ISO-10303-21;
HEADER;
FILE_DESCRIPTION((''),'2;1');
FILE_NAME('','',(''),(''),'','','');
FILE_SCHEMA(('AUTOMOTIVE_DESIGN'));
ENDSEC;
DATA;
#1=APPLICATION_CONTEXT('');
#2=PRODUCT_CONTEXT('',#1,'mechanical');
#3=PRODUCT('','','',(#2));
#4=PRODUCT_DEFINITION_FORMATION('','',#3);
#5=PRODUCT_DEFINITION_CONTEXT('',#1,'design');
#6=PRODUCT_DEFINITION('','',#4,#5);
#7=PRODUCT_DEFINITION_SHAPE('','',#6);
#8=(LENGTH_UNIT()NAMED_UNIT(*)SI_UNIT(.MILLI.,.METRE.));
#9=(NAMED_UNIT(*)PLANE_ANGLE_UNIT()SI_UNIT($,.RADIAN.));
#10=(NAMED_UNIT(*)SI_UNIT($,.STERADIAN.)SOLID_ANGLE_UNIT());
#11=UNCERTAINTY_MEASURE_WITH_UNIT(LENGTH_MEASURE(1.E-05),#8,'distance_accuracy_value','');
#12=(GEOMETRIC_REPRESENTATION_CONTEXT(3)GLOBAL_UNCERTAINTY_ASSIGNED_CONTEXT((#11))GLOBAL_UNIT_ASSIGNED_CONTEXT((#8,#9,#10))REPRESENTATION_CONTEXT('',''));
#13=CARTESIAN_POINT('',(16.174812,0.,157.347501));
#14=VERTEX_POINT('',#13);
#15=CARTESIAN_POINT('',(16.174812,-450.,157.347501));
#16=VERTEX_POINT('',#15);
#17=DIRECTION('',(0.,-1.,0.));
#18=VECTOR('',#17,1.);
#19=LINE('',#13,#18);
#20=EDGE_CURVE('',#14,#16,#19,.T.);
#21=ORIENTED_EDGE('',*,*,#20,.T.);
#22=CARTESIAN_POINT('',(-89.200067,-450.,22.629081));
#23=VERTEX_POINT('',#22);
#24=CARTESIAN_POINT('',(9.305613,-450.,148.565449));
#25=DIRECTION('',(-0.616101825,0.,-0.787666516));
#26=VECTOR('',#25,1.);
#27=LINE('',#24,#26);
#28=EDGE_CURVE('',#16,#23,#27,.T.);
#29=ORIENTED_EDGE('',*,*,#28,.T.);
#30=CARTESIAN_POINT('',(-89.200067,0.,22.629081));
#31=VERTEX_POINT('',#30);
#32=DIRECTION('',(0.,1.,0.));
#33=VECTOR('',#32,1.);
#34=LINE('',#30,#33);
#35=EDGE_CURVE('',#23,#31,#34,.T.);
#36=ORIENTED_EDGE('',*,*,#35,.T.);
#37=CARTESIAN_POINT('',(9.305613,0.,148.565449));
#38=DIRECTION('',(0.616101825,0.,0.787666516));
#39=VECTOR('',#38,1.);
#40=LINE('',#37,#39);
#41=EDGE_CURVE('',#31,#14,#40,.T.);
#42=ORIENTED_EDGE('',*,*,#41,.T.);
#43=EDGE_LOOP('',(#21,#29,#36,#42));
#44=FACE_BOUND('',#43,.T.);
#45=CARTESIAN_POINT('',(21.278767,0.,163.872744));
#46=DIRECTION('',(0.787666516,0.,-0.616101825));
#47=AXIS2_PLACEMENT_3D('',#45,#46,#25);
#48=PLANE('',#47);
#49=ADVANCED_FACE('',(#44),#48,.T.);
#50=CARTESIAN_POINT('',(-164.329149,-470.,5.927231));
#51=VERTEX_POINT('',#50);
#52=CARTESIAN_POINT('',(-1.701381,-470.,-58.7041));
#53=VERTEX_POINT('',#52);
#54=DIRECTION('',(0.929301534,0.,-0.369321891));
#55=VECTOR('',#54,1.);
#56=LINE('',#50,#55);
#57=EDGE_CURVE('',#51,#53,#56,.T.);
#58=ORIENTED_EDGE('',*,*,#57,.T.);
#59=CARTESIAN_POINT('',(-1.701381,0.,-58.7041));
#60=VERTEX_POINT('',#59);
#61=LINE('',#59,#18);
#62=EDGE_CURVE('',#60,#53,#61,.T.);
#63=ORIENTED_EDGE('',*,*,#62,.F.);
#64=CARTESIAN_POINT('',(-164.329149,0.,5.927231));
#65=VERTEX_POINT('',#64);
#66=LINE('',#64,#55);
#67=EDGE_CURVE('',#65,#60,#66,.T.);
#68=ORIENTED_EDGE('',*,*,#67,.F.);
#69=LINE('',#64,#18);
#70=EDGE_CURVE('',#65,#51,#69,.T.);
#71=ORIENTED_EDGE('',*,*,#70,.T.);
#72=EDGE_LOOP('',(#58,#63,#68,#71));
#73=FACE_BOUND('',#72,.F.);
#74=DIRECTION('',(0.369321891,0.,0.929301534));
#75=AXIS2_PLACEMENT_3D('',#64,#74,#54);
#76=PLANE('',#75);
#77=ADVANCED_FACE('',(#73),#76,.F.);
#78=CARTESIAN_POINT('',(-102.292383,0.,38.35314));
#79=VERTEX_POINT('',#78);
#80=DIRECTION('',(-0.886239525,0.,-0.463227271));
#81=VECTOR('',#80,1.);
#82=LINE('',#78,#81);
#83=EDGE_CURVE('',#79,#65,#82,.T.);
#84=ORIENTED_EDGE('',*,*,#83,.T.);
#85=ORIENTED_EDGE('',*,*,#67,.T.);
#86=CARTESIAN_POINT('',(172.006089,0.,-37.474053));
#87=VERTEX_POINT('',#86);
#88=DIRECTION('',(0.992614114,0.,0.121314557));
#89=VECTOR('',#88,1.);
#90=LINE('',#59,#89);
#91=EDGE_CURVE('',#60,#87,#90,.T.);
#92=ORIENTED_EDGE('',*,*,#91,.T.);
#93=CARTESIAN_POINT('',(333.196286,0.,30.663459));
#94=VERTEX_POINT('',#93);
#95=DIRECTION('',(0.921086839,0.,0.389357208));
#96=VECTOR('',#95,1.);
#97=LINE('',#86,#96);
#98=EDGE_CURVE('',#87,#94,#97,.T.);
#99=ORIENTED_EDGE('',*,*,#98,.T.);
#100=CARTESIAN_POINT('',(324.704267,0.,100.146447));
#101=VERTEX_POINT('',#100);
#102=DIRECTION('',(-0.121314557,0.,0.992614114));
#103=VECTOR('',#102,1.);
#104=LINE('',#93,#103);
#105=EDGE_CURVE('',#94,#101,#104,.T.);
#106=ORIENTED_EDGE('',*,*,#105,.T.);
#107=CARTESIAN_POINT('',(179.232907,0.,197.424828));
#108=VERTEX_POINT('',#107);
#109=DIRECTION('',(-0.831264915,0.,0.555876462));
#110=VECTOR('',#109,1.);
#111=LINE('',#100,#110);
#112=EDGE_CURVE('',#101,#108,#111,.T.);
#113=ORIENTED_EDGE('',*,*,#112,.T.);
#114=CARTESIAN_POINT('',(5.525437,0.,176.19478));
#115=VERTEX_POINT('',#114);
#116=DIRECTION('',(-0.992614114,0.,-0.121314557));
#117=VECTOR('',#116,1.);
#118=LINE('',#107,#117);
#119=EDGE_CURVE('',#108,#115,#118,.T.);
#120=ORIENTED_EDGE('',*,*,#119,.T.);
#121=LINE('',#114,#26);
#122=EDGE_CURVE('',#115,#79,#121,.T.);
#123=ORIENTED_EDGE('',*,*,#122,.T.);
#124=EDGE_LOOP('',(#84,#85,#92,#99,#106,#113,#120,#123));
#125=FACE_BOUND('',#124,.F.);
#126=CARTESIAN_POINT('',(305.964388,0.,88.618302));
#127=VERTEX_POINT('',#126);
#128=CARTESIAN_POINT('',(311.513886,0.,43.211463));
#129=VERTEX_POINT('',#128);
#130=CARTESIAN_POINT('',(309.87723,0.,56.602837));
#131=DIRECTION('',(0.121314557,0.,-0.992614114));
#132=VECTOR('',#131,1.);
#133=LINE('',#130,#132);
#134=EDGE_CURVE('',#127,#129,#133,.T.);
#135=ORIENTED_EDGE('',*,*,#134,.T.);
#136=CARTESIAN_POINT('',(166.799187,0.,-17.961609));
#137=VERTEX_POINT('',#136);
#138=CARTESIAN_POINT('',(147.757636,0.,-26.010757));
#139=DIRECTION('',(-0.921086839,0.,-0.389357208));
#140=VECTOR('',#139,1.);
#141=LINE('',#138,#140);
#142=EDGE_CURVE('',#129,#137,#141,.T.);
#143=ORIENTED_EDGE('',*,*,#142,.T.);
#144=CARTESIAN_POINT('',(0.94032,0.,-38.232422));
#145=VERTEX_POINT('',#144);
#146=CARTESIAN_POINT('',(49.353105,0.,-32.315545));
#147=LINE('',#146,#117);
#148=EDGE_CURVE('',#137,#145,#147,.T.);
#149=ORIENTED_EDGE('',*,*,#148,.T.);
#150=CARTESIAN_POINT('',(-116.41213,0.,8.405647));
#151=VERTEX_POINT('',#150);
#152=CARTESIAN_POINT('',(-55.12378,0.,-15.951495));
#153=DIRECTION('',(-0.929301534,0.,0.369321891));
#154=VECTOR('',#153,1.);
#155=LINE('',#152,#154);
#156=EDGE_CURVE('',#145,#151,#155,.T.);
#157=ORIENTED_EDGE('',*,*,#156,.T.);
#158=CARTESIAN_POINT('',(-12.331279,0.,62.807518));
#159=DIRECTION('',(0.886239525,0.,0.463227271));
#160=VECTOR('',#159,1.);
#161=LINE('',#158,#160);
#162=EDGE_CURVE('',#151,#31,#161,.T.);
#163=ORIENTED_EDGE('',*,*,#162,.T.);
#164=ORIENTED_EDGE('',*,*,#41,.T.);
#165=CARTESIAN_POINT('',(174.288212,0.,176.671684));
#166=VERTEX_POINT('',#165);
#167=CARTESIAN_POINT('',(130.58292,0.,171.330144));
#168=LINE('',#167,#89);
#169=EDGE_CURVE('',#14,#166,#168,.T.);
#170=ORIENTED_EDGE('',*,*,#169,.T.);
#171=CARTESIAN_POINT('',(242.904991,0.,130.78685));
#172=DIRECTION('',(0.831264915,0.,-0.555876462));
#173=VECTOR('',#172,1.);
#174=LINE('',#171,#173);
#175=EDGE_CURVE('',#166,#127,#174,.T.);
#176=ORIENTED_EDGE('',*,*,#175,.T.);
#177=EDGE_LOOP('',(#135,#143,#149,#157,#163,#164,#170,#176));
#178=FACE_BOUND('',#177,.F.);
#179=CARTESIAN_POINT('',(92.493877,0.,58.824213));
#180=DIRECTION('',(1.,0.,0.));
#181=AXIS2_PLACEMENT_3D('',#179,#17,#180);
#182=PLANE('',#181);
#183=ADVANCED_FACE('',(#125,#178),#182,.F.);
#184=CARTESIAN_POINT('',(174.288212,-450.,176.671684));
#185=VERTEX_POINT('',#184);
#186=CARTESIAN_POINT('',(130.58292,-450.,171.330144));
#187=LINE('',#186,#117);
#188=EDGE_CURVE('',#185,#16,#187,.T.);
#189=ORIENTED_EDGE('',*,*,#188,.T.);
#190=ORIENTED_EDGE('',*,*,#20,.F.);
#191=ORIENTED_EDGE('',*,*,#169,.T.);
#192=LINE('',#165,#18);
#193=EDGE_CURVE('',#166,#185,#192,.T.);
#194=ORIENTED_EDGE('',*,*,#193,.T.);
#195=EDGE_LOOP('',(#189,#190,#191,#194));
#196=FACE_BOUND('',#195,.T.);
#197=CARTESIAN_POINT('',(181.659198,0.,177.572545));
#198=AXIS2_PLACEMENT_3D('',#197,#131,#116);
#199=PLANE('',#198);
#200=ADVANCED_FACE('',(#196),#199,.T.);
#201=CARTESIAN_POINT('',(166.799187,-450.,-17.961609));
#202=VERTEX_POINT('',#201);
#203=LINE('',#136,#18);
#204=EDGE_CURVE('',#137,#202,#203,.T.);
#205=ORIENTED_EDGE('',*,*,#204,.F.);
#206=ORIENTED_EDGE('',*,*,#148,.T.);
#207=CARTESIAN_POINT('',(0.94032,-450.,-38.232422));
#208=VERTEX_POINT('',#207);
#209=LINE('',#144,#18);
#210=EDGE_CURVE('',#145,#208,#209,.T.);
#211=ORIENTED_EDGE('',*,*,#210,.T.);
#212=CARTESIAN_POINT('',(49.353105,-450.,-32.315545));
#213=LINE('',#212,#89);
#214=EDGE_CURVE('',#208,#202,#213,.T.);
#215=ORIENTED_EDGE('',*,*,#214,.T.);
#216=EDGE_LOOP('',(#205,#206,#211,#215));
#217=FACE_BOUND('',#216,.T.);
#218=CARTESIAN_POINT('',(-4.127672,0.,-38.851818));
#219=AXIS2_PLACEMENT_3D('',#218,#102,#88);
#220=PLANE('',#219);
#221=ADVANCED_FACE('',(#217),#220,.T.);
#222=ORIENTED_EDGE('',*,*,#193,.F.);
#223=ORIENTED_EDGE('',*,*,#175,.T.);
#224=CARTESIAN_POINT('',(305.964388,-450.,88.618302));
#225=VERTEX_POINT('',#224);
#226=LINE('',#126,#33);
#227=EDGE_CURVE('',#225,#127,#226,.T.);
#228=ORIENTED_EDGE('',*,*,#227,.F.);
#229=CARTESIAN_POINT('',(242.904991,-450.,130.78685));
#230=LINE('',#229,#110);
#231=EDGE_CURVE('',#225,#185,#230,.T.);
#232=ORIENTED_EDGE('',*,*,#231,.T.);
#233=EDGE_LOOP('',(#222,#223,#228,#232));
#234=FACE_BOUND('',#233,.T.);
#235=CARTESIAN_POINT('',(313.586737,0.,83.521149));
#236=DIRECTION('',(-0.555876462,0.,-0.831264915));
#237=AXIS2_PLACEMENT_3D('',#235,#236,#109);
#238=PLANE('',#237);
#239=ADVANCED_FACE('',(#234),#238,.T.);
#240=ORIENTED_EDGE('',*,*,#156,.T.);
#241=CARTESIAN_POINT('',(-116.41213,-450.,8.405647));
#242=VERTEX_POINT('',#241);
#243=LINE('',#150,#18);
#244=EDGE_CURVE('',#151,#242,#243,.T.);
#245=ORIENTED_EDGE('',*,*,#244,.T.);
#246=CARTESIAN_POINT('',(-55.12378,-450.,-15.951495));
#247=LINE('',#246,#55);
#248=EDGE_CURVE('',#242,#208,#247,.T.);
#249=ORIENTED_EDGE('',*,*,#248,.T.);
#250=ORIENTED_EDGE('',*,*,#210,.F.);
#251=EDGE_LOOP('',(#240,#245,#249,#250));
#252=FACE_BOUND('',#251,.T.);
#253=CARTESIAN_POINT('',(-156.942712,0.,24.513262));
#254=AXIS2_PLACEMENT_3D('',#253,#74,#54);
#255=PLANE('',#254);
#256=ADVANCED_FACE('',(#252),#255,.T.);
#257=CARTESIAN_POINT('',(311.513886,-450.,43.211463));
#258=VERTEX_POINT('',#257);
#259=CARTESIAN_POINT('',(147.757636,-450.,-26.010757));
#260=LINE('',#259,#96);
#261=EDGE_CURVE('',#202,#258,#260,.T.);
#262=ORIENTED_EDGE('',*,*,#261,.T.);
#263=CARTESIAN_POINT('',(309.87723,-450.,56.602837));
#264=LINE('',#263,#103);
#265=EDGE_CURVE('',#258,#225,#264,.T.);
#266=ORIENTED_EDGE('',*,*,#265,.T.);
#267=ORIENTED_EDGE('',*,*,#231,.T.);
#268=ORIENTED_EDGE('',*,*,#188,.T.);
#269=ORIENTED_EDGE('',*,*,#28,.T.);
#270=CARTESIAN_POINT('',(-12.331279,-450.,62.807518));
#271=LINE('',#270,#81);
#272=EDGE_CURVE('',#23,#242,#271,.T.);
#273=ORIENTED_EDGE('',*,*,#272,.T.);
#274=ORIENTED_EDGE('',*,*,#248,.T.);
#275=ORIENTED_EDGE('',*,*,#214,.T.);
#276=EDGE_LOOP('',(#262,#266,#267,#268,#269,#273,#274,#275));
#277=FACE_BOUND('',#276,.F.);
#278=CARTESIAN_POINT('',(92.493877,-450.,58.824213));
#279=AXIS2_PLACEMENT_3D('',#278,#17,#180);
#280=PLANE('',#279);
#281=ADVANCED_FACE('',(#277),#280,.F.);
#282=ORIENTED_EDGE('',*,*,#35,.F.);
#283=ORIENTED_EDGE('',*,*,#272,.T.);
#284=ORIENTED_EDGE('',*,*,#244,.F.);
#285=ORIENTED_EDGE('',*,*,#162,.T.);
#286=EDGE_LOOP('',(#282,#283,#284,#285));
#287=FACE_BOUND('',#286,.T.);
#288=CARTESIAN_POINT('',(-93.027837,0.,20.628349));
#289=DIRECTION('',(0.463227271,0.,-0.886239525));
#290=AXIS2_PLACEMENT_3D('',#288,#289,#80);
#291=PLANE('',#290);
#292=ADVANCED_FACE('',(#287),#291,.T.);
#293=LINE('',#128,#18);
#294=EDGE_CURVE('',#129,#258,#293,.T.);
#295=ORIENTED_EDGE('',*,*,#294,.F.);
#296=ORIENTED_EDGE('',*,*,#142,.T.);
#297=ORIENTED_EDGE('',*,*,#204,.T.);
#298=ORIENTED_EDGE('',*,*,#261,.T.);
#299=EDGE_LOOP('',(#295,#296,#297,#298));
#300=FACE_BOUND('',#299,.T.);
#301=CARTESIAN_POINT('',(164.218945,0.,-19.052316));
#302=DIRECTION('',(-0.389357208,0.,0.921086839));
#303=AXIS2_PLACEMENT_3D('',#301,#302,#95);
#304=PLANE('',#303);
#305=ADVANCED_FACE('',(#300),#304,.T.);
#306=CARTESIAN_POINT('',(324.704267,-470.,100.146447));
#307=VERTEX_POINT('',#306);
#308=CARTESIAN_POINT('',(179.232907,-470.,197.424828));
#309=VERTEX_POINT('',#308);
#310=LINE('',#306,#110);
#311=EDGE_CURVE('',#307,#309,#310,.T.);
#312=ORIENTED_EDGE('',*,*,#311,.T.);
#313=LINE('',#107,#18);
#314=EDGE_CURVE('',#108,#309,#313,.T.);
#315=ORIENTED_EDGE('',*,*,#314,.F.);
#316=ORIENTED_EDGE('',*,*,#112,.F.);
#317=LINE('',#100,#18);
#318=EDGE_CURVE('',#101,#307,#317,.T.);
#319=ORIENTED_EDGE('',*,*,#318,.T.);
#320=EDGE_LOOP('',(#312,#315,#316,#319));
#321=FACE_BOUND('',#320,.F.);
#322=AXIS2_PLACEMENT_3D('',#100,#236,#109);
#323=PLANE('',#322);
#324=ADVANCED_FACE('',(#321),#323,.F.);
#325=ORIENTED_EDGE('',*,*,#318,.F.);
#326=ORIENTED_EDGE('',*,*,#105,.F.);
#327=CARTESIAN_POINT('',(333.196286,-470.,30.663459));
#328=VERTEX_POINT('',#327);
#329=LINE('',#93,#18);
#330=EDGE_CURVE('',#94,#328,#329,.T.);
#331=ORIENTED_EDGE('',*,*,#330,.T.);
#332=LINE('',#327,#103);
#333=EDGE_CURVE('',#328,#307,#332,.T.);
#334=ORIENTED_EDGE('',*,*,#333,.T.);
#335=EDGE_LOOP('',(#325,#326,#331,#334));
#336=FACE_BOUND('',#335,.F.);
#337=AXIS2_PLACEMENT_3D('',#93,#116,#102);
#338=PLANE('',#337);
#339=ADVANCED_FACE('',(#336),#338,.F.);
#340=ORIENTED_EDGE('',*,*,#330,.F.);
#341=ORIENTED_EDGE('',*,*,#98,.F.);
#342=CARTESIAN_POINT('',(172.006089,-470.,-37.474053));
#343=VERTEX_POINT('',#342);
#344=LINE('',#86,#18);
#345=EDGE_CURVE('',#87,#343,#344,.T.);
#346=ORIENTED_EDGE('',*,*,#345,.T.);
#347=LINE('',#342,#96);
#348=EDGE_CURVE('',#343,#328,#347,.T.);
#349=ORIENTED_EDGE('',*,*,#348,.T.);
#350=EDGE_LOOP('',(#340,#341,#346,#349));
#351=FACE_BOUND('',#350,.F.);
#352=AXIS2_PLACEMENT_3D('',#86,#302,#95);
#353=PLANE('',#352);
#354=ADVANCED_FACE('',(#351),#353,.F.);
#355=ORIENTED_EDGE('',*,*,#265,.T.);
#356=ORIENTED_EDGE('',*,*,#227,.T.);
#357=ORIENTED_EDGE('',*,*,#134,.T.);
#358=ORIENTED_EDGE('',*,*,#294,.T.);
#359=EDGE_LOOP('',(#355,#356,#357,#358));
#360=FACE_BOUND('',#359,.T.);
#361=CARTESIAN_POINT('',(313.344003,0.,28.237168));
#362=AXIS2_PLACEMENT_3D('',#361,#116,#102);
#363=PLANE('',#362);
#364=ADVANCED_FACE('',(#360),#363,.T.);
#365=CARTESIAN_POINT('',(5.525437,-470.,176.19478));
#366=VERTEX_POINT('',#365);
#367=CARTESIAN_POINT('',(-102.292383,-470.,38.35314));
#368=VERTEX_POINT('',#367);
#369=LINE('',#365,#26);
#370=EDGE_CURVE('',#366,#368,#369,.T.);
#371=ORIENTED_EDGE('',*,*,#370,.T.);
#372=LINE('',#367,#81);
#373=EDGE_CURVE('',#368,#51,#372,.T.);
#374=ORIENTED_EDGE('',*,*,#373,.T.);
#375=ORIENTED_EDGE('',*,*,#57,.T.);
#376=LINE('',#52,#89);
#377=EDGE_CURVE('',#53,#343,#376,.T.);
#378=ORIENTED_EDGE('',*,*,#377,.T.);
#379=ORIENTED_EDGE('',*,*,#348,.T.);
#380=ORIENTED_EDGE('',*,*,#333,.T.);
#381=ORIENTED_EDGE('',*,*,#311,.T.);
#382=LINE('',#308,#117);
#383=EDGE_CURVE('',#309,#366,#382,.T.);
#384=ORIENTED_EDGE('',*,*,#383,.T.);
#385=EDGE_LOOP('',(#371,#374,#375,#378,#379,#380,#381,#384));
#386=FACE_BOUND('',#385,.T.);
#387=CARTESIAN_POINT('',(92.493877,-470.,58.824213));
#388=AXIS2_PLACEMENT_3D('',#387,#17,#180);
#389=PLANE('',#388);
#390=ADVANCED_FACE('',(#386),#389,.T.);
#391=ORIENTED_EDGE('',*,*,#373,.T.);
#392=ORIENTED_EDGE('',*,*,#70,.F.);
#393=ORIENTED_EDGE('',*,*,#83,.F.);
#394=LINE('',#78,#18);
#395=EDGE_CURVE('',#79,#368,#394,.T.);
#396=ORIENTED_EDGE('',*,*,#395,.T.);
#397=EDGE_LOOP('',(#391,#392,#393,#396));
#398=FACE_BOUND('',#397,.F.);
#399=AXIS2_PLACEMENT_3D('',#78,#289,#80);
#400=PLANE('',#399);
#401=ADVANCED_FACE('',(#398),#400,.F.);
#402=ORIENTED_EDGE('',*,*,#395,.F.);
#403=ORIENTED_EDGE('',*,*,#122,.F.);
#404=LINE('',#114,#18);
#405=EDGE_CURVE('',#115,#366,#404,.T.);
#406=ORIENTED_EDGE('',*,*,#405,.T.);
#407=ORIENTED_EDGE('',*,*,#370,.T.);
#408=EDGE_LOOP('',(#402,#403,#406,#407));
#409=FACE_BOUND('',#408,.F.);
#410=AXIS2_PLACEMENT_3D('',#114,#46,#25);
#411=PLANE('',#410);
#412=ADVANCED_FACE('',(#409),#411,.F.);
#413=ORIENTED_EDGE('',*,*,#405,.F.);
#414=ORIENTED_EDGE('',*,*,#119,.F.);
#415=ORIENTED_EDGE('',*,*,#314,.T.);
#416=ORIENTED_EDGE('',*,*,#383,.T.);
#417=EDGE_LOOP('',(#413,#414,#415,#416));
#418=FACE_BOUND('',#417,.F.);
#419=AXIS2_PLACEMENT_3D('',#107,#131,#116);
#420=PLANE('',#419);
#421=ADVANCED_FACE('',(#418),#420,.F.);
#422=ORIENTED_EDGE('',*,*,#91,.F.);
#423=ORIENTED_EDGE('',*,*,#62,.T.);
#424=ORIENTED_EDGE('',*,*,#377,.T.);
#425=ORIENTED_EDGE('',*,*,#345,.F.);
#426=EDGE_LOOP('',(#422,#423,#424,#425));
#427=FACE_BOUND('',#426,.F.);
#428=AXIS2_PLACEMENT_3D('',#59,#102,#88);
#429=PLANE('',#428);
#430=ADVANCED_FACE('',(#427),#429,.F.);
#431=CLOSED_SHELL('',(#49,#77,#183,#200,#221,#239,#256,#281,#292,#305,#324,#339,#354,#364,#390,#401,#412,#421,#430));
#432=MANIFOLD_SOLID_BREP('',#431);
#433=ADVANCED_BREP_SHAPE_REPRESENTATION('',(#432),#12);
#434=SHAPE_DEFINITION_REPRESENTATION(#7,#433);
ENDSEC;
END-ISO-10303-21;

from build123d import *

# Parameters (mm, degrees)
F1_DEPTH = 470
F2_T     = -20


with BuildPart() as f1:
    # F0 (on Front) → F1 (new body)
    with BuildSketch(Plane.XZ):
        Polygon((324.704266728, 100.1464468348), (179.2329066404, 197.4248277539), (5.5254367755, 176.1947803416), (-102.2923826187, 38.3531399673), (-164.3291493471, 5.9272309764), (-1.7013809348, -58.7040999804), (172.0060889301, -37.4740525682), (333.1962856929, 30.6634588888), align=None)
    extrude(amount=F1_DEPTH)

    # F2
    f2_openings = [f1.faces().sort_by_distance(p)[0] for p in [
        (103.387113, 0, 63.431014),
    ]]
    offset(amount=F2_T, openings=f2_openings, kind=Kind.INTERSECTION)


solid = f1.part
